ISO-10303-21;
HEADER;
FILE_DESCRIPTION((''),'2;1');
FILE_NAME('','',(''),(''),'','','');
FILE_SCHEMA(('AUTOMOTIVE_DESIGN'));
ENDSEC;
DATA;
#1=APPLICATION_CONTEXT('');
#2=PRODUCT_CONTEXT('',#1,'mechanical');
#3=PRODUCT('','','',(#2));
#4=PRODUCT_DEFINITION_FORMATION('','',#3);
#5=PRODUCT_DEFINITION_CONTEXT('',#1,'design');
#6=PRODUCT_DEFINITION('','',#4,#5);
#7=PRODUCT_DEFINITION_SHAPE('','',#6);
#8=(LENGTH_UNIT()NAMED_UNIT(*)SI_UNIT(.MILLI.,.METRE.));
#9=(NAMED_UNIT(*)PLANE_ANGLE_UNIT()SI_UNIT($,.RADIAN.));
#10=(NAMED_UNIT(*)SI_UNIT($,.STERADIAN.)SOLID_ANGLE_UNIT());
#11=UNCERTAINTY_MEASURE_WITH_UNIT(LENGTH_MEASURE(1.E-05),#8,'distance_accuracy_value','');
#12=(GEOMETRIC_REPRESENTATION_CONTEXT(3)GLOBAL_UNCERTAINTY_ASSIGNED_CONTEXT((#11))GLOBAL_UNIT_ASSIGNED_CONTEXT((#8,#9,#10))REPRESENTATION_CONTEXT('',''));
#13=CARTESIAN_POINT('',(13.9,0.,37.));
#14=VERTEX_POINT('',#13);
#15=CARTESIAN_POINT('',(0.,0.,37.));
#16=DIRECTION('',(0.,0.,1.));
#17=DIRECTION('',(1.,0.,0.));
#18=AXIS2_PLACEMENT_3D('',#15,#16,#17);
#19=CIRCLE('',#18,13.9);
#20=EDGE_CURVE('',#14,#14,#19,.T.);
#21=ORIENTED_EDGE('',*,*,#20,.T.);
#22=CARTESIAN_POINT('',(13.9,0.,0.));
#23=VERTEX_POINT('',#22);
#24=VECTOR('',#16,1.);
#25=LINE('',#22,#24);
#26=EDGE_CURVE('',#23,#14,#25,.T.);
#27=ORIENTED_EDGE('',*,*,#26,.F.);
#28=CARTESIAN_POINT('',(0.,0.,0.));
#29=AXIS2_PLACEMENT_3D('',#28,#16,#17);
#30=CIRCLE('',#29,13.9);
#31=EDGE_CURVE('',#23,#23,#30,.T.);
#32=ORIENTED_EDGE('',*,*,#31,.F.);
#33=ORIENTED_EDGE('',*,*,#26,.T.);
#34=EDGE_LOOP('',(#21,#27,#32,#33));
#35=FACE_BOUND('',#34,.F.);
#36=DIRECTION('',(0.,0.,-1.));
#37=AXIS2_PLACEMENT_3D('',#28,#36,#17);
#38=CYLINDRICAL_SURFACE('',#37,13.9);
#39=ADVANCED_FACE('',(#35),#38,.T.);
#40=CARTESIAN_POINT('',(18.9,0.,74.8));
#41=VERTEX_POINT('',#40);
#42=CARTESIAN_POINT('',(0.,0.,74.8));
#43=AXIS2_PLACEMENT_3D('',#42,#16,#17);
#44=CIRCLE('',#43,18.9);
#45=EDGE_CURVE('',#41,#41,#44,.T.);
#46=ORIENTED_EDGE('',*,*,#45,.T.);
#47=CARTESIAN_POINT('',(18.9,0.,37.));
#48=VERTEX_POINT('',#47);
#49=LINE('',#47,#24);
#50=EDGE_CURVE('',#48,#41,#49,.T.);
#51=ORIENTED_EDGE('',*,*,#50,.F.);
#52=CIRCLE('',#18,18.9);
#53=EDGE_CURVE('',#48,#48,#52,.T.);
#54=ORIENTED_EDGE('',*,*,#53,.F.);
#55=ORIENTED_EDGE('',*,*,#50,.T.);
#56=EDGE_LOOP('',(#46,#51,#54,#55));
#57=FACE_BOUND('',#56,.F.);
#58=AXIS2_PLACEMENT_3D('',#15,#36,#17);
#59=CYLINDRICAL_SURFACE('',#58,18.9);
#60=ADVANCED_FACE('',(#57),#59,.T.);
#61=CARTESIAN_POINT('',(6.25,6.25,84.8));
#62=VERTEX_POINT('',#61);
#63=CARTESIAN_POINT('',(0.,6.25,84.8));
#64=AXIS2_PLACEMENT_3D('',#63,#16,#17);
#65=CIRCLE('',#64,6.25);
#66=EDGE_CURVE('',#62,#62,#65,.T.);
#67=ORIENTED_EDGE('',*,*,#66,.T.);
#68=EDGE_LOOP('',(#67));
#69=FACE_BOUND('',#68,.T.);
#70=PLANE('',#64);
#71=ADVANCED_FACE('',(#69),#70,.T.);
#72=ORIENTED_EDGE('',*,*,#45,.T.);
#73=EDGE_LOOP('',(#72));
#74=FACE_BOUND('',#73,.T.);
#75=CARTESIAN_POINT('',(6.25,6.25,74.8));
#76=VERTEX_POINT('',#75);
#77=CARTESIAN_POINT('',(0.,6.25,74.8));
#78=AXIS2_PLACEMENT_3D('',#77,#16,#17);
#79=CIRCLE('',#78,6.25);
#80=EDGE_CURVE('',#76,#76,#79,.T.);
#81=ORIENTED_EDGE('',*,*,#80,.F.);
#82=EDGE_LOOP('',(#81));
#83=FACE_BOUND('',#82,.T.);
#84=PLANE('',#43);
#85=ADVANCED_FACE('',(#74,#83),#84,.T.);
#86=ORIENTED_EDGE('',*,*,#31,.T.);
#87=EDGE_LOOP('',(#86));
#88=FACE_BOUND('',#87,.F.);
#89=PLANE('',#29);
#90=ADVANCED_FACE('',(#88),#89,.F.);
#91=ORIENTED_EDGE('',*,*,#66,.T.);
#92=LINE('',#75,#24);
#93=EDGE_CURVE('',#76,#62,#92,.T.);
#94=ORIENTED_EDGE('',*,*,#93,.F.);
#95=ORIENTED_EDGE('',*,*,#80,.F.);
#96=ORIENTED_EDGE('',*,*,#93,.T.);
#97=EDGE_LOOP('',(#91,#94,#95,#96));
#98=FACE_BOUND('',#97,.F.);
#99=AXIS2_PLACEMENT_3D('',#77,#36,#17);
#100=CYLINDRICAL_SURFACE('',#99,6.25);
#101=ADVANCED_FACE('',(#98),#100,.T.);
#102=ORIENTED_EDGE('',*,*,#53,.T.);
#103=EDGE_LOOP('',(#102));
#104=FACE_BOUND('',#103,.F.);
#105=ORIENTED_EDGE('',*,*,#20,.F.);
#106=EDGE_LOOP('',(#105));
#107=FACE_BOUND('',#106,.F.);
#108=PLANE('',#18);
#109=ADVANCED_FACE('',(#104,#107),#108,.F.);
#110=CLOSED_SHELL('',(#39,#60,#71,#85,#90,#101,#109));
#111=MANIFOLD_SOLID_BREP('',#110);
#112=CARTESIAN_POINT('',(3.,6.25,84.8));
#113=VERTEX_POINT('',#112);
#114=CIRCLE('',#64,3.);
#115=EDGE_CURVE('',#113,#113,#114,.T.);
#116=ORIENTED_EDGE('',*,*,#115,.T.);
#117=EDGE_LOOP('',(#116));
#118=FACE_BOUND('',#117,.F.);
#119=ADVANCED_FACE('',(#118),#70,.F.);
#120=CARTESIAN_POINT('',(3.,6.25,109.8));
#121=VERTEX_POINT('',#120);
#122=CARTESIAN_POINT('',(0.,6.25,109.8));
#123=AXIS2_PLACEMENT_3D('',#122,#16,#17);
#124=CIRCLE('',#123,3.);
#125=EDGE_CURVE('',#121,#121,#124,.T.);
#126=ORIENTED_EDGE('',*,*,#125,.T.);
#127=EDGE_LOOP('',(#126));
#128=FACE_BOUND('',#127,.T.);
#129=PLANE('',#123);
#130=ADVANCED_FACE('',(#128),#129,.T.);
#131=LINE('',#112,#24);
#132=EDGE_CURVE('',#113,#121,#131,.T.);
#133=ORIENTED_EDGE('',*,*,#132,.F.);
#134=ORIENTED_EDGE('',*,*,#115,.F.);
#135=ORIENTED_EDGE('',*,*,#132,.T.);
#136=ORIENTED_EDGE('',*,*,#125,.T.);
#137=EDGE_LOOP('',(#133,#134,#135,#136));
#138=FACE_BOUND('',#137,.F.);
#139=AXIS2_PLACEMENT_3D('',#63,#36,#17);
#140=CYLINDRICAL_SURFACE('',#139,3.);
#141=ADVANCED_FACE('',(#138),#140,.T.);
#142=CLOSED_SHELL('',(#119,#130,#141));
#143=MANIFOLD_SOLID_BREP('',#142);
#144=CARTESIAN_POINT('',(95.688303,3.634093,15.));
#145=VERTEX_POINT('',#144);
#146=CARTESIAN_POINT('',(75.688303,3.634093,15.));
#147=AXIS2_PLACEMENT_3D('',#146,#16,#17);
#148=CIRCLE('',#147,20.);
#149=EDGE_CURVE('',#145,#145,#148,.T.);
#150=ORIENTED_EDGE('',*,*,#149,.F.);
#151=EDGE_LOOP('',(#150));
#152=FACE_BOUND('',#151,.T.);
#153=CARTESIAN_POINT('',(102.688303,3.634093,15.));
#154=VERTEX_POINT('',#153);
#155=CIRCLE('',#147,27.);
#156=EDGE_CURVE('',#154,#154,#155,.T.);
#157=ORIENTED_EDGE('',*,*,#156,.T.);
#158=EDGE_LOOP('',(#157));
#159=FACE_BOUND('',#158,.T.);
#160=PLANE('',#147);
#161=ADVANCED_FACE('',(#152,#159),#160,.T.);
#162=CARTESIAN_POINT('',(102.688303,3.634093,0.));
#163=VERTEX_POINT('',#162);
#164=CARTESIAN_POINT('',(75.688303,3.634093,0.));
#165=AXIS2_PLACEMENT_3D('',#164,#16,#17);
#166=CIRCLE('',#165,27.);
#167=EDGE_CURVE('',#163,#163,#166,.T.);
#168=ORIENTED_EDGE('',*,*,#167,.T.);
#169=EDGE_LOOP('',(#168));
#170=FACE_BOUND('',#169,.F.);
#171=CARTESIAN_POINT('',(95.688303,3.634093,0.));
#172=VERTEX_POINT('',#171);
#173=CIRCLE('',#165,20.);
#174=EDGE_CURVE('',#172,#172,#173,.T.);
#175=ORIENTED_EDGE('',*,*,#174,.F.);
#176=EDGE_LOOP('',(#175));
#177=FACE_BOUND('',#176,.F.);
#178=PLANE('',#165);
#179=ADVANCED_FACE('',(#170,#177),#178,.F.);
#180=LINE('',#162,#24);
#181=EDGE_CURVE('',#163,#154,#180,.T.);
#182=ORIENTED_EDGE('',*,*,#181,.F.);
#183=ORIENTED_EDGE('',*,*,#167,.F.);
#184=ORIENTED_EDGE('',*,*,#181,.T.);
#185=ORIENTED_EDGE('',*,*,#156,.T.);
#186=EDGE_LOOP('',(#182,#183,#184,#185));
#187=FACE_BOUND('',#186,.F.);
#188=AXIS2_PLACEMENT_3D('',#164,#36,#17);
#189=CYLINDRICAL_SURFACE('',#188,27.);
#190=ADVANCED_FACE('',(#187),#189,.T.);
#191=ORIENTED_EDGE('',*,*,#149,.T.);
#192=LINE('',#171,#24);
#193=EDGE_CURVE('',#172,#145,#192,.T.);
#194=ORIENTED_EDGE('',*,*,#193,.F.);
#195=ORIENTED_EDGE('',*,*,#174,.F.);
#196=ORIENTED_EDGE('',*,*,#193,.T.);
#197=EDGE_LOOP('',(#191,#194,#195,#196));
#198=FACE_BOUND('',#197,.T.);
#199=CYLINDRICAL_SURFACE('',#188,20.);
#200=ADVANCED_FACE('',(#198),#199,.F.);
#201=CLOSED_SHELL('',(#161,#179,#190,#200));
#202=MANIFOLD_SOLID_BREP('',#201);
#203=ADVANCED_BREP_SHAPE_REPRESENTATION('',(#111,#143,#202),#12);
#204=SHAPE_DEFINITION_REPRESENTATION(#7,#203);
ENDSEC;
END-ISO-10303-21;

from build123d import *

# Parameters (mm, degrees)
F0_R     = 13.9
F1_DEPTH = 37
F2_R     = 18.9
F3_DEPTH = 37.8
F4_R     = 6.25
F5_DEPTH = 10
F6_R     = 3
F7_DEPTH = 25
F8_R     = 27
F8_R_2   = 20
F9_DEPTH = 15


with BuildPart() as f1:
    # F0 (on Top) → F1 (new body)
    with BuildSketch(Plane.XY):
        Circle(F0_R)
    extrude(amount=F1_DEPTH)

    # F2 (on face) → F3 (join)
    with BuildSketch(Plane.XY.offset(37)):
        Circle(F2_R)
    extrude(amount=F3_DEPTH)

    # F4 (on face) → F5 (join)
    with BuildSketch(Plane.XY.offset(74.8)):
        with Locations((0, 6.25)):
            Circle(F4_R)
    extrude(amount=F5_DEPTH)


with BuildPart() as f7:
    # F6 (on face) → F7 (new body)
    with BuildSketch(Plane.XY.offset(84.8)):
        with Locations((0, 6.25)):
            Circle(F6_R)
    extrude(amount=F7_DEPTH)


with BuildPart() as f9:
    # F8 (on Top) → F9 (new body)
    with BuildSketch(Plane.XY):
        with Locations((75.688303, 3.634093)):
            Circle(F8_R)
        with Locations((75.688303, 3.634093)):
            Circle(F8_R_2, mode=Mode.SUBTRACT)
    extrude(amount=F9_DEPTH)


solid = Compound([f1.part, f7.part, f9.part])
